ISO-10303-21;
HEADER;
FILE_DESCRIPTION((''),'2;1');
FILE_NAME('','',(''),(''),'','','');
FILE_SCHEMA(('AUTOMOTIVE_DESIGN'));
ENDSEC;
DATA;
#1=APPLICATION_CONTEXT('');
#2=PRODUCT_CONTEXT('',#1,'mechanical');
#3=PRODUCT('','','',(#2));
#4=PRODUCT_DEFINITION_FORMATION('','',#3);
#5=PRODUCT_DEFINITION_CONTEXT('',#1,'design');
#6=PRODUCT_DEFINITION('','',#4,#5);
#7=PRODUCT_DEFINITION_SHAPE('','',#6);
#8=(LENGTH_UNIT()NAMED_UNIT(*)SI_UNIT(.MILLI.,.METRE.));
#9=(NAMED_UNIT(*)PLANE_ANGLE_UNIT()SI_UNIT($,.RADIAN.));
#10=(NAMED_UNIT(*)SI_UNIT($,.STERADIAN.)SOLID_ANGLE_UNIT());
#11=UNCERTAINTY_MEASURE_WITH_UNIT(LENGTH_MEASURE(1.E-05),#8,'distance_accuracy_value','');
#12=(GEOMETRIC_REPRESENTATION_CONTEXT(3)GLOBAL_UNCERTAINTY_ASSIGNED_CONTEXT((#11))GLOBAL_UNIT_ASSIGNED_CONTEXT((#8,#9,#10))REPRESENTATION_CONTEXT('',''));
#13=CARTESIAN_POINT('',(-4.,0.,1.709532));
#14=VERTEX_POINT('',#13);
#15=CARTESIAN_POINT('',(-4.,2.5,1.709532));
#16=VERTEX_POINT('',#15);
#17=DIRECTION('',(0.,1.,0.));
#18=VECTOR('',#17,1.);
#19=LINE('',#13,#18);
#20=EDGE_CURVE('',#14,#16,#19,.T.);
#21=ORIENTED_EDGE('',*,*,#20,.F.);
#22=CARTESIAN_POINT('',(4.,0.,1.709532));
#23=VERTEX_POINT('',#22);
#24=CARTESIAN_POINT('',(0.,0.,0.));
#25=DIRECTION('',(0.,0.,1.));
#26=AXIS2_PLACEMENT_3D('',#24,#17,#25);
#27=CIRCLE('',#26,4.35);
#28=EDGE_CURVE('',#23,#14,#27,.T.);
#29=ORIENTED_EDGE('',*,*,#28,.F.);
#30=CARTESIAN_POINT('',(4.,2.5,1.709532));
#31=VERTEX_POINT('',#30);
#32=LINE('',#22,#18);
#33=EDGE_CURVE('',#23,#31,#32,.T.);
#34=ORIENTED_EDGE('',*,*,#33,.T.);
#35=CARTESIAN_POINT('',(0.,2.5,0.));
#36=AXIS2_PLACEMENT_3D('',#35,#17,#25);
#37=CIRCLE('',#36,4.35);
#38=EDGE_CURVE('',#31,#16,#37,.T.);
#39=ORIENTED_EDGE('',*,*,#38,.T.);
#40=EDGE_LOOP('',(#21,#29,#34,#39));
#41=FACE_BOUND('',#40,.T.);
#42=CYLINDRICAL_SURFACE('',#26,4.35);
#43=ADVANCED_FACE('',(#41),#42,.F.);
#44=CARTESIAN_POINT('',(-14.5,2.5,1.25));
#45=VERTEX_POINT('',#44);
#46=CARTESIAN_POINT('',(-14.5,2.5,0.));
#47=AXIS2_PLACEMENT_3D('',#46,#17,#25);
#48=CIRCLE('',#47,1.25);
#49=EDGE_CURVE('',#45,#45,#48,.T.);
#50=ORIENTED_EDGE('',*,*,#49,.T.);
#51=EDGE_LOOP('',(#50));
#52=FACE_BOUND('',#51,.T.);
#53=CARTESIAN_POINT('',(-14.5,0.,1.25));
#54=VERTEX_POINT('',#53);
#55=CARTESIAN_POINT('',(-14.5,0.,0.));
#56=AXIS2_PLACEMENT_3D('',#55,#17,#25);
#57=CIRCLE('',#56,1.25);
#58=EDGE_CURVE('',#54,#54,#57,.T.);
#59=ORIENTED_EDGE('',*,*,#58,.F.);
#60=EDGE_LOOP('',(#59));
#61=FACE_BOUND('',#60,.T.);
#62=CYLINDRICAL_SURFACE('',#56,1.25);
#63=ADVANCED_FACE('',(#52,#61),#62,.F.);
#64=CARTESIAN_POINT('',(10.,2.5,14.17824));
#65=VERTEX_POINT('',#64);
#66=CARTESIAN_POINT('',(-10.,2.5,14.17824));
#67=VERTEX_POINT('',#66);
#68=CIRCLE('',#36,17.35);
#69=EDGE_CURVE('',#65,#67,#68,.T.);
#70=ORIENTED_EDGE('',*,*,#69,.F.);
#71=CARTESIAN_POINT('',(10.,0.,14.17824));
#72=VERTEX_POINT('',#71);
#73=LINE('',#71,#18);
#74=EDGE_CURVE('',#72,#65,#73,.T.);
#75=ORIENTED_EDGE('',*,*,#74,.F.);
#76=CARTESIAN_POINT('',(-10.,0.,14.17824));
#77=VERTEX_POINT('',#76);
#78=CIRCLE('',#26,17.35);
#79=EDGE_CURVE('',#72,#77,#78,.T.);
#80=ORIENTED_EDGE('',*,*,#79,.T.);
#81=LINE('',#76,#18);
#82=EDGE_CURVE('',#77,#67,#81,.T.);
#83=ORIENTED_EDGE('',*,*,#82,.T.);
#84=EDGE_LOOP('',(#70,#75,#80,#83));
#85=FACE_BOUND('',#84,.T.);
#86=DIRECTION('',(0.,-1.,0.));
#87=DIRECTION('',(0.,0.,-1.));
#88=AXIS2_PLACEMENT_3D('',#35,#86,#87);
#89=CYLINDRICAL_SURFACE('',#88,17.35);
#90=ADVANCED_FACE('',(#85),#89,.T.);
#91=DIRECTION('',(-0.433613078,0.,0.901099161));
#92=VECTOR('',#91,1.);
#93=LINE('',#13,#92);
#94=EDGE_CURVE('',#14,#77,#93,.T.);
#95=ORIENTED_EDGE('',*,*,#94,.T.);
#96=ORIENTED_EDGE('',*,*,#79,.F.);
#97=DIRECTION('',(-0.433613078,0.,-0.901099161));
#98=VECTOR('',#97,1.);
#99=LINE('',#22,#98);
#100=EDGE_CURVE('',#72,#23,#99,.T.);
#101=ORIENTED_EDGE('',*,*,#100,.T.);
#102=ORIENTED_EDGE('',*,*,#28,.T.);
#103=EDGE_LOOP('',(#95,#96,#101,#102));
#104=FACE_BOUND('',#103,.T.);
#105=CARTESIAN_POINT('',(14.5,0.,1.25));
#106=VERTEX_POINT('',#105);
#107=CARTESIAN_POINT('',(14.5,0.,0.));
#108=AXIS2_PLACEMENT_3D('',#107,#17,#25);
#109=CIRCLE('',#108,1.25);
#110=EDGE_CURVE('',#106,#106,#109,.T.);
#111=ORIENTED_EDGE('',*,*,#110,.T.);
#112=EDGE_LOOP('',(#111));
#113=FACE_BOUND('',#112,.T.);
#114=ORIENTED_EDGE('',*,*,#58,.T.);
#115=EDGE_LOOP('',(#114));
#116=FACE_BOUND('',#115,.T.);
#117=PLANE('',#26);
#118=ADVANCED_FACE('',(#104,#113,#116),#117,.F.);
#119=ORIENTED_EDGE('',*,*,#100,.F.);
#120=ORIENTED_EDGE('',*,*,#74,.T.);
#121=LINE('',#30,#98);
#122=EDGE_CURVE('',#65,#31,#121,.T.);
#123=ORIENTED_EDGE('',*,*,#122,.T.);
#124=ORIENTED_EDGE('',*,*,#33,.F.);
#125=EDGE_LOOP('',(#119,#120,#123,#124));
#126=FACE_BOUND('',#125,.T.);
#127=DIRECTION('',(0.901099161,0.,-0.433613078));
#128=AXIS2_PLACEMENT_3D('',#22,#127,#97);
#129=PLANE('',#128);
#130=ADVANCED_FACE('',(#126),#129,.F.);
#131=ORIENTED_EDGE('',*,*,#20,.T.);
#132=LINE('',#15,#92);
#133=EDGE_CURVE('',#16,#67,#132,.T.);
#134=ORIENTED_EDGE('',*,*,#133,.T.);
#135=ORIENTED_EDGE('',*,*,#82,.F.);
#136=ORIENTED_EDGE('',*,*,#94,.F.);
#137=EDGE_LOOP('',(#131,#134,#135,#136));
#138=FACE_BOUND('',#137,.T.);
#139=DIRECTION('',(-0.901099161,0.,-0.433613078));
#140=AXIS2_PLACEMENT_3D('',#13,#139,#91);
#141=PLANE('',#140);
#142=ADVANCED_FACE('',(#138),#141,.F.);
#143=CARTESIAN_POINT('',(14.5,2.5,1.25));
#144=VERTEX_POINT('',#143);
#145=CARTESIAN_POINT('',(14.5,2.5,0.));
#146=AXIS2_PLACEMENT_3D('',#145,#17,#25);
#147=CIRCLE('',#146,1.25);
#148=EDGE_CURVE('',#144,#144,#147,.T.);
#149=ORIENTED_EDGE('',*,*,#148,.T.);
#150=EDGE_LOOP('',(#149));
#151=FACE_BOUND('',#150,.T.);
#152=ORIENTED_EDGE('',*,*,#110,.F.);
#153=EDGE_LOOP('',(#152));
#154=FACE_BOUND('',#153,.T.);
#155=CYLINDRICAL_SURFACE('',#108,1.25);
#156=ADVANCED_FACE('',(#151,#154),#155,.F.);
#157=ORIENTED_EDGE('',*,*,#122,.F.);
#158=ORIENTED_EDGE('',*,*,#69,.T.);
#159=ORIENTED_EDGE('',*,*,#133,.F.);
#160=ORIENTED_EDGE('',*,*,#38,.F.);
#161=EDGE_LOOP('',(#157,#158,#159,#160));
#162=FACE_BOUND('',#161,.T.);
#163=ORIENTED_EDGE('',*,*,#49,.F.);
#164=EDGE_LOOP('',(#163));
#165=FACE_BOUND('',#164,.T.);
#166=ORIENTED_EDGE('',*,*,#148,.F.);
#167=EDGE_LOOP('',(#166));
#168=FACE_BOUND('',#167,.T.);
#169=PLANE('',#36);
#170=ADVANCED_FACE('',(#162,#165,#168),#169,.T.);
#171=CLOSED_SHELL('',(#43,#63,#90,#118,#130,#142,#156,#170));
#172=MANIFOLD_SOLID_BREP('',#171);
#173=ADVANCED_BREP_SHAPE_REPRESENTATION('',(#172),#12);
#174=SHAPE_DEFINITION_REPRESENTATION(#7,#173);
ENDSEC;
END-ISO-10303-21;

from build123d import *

# Parameters (mm, degrees)
SKETCH1_R           = 17.35
BOSS_EXTRUDE1_DEPTH = 2.5
SKETCH2_R           = 4.35
CUT_EXTRUDE1_DEPTH  = 25.663637201
SKETCH3_R           = 1.25
CUT_EXTRUDE2_DEPTH  = 25.663637201
CUT_EXTRUDE3_DEPTH  = 25.663637201


with BuildPart() as part:
    # Sketch1 → Boss-Extrude1 (new body)
    with BuildSketch(Plane(origin=(0, 0, 0), x_dir=(1, 0, 0), z_dir=(0, 1, 0))):
        with Locations(Location((0, 0, 0), (0, 0, 270))):
            Circle(SKETCH1_R)
    extrude(amount=BOSS_EXTRUDE1_DEPTH)

    # Sketch2 → Cut-Extrude1 (cut, through all)
    with BuildSketch(Plane(origin=(0, 2.5, 0), x_dir=(1, 0, 0), z_dir=(0, 1, 0))):
        with Locations(Location((0, 0, 0), (0, 0, 270))):
            Circle(SKETCH2_R)
    extrude(amount=-CUT_EXTRUDE1_DEPTH, mode=Mode.SUBTRACT)

    # Sketch3 → Cut-Extrude2 (cut, through all)
    with BuildSketch(Plane(origin=(0, 2.5, 0), x_dir=(1, 0, 0), z_dir=(0, 1, 0))):
        with Locations(Location((-14.5, 0, 0), (0, 0, 270))):
            Circle(SKETCH3_R)
        with Locations(Location((14.5, 0, 0), (0, 0, 270))):
            Circle(SKETCH3_R)
    extrude(amount=-CUT_EXTRUDE2_DEPTH, mode=Mode.SUBTRACT)

    # Sketch4 → Cut-Extrude3 (cut, through all)
    with BuildSketch(Plane(origin=(0, 2.5, 0), x_dir=(1, 0, 0), z_dir=(0, 1, 0))):
        with BuildLine():
            Line((-4, -1.7095321), (-10, -14.17824037))
            ThreePointArc((-10, -14.17824037), (0, -17.35), (10, -14.17824037))
            Line((10, -14.17824037), (4, -1.7095321))
            ThreePointArc((4, -1.7095321), (0, -4.35), (-4, -1.7095321))
        make_face()
    extrude(amount=-CUT_EXTRUDE3_DEPTH, mode=Mode.SUBTRACT)


solid = part.part
